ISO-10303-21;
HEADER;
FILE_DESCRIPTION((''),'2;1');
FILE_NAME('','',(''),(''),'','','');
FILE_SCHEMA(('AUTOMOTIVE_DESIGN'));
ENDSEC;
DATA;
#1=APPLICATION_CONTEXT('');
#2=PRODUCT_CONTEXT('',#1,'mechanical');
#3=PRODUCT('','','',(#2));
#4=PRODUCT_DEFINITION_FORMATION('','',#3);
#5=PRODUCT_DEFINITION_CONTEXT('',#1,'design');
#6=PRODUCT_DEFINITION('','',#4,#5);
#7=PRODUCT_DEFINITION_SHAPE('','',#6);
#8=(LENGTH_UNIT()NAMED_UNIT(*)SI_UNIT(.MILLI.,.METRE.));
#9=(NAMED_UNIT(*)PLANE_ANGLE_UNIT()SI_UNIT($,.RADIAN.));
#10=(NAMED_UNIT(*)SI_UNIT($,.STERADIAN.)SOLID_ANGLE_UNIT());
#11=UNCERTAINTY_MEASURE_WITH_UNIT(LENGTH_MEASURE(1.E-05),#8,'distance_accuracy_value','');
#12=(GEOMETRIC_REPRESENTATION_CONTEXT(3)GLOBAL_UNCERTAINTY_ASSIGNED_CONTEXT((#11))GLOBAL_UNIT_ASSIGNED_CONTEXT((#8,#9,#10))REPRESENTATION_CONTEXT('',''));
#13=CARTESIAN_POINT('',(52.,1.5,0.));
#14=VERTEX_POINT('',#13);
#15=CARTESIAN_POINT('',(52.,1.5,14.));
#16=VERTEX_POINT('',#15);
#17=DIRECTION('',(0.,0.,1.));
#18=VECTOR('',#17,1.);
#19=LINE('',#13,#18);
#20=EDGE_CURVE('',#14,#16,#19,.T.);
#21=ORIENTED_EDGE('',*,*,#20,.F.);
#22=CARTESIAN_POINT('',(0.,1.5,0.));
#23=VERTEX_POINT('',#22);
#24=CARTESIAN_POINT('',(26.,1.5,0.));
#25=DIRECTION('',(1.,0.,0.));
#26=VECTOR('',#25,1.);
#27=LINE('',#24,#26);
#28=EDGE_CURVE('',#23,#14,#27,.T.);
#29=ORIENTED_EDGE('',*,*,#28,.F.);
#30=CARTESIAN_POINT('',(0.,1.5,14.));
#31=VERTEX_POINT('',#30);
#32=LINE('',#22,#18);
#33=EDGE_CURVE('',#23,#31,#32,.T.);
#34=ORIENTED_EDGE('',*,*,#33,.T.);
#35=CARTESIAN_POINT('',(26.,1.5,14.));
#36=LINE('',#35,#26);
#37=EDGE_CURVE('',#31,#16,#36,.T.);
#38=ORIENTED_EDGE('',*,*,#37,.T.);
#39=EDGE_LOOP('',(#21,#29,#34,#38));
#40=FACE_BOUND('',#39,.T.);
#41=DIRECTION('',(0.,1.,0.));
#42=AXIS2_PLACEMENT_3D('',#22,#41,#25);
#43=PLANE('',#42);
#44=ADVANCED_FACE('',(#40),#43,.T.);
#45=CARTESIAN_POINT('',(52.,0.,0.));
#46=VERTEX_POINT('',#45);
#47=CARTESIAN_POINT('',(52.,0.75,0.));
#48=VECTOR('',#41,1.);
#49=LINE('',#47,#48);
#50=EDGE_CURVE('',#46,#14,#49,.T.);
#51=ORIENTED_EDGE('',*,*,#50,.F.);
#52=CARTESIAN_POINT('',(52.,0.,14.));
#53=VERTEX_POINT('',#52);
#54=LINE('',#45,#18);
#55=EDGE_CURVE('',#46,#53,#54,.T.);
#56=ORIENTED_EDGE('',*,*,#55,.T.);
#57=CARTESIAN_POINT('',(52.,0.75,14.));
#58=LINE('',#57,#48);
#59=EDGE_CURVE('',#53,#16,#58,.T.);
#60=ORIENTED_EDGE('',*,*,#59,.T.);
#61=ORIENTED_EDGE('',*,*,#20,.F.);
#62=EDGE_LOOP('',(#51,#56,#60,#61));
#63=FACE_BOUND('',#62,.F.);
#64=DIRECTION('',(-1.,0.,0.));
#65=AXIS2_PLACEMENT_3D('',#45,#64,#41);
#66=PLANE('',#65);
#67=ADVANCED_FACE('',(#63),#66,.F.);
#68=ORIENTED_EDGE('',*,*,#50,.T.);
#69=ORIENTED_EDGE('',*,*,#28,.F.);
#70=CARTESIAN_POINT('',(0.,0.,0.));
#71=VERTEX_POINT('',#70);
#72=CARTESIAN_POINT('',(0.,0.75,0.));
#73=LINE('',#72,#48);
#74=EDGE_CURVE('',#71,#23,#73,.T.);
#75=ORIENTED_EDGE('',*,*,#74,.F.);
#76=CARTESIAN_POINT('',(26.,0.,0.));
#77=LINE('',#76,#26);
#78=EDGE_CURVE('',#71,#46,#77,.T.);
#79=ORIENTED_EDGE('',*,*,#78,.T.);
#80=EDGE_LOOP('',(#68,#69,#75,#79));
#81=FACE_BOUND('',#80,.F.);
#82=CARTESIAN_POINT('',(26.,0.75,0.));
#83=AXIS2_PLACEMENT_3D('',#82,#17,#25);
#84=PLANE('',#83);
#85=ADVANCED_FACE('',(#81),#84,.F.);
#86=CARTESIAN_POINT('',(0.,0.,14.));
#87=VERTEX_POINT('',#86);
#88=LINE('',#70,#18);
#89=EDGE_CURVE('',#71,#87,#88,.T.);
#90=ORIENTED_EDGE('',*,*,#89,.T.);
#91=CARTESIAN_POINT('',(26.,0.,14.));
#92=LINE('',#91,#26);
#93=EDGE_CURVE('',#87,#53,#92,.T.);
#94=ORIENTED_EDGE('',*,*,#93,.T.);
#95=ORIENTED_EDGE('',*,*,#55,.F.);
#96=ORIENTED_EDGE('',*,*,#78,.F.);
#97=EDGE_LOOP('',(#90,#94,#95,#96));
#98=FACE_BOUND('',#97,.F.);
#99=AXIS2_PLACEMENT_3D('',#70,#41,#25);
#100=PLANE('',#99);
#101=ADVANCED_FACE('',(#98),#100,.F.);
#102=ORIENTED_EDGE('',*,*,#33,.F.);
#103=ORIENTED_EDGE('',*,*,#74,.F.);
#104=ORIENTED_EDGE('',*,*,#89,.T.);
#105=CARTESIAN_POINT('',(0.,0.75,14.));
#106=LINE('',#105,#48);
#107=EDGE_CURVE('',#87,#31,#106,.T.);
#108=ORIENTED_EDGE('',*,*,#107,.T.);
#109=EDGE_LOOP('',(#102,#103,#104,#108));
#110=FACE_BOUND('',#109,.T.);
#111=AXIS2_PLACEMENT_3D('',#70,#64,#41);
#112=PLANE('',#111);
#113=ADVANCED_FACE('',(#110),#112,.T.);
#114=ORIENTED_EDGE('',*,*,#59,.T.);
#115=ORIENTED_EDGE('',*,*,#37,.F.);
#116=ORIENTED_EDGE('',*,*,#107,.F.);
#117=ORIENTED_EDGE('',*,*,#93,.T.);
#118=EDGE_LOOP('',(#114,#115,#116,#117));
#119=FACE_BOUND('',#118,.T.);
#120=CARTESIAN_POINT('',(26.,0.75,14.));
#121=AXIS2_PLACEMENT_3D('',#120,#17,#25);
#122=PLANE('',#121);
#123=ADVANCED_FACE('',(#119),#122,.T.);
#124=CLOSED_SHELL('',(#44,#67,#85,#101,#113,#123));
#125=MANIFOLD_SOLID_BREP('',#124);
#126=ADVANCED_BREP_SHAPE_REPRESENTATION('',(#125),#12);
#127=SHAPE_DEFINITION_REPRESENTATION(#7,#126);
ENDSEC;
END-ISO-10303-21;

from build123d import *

# Parameters (mm, degrees)
BOX_W     = 52
BOX_H     = 1.5
BOX_DEPTH = 14


with BuildPart() as part:
    # Box → Box (new body)
    with BuildSketch(Plane.XY):
        with Locations((26, 0.75)):
            Rectangle(BOX_W, BOX_H)
    extrude(amount=BOX_DEPTH)


solid = part.part
